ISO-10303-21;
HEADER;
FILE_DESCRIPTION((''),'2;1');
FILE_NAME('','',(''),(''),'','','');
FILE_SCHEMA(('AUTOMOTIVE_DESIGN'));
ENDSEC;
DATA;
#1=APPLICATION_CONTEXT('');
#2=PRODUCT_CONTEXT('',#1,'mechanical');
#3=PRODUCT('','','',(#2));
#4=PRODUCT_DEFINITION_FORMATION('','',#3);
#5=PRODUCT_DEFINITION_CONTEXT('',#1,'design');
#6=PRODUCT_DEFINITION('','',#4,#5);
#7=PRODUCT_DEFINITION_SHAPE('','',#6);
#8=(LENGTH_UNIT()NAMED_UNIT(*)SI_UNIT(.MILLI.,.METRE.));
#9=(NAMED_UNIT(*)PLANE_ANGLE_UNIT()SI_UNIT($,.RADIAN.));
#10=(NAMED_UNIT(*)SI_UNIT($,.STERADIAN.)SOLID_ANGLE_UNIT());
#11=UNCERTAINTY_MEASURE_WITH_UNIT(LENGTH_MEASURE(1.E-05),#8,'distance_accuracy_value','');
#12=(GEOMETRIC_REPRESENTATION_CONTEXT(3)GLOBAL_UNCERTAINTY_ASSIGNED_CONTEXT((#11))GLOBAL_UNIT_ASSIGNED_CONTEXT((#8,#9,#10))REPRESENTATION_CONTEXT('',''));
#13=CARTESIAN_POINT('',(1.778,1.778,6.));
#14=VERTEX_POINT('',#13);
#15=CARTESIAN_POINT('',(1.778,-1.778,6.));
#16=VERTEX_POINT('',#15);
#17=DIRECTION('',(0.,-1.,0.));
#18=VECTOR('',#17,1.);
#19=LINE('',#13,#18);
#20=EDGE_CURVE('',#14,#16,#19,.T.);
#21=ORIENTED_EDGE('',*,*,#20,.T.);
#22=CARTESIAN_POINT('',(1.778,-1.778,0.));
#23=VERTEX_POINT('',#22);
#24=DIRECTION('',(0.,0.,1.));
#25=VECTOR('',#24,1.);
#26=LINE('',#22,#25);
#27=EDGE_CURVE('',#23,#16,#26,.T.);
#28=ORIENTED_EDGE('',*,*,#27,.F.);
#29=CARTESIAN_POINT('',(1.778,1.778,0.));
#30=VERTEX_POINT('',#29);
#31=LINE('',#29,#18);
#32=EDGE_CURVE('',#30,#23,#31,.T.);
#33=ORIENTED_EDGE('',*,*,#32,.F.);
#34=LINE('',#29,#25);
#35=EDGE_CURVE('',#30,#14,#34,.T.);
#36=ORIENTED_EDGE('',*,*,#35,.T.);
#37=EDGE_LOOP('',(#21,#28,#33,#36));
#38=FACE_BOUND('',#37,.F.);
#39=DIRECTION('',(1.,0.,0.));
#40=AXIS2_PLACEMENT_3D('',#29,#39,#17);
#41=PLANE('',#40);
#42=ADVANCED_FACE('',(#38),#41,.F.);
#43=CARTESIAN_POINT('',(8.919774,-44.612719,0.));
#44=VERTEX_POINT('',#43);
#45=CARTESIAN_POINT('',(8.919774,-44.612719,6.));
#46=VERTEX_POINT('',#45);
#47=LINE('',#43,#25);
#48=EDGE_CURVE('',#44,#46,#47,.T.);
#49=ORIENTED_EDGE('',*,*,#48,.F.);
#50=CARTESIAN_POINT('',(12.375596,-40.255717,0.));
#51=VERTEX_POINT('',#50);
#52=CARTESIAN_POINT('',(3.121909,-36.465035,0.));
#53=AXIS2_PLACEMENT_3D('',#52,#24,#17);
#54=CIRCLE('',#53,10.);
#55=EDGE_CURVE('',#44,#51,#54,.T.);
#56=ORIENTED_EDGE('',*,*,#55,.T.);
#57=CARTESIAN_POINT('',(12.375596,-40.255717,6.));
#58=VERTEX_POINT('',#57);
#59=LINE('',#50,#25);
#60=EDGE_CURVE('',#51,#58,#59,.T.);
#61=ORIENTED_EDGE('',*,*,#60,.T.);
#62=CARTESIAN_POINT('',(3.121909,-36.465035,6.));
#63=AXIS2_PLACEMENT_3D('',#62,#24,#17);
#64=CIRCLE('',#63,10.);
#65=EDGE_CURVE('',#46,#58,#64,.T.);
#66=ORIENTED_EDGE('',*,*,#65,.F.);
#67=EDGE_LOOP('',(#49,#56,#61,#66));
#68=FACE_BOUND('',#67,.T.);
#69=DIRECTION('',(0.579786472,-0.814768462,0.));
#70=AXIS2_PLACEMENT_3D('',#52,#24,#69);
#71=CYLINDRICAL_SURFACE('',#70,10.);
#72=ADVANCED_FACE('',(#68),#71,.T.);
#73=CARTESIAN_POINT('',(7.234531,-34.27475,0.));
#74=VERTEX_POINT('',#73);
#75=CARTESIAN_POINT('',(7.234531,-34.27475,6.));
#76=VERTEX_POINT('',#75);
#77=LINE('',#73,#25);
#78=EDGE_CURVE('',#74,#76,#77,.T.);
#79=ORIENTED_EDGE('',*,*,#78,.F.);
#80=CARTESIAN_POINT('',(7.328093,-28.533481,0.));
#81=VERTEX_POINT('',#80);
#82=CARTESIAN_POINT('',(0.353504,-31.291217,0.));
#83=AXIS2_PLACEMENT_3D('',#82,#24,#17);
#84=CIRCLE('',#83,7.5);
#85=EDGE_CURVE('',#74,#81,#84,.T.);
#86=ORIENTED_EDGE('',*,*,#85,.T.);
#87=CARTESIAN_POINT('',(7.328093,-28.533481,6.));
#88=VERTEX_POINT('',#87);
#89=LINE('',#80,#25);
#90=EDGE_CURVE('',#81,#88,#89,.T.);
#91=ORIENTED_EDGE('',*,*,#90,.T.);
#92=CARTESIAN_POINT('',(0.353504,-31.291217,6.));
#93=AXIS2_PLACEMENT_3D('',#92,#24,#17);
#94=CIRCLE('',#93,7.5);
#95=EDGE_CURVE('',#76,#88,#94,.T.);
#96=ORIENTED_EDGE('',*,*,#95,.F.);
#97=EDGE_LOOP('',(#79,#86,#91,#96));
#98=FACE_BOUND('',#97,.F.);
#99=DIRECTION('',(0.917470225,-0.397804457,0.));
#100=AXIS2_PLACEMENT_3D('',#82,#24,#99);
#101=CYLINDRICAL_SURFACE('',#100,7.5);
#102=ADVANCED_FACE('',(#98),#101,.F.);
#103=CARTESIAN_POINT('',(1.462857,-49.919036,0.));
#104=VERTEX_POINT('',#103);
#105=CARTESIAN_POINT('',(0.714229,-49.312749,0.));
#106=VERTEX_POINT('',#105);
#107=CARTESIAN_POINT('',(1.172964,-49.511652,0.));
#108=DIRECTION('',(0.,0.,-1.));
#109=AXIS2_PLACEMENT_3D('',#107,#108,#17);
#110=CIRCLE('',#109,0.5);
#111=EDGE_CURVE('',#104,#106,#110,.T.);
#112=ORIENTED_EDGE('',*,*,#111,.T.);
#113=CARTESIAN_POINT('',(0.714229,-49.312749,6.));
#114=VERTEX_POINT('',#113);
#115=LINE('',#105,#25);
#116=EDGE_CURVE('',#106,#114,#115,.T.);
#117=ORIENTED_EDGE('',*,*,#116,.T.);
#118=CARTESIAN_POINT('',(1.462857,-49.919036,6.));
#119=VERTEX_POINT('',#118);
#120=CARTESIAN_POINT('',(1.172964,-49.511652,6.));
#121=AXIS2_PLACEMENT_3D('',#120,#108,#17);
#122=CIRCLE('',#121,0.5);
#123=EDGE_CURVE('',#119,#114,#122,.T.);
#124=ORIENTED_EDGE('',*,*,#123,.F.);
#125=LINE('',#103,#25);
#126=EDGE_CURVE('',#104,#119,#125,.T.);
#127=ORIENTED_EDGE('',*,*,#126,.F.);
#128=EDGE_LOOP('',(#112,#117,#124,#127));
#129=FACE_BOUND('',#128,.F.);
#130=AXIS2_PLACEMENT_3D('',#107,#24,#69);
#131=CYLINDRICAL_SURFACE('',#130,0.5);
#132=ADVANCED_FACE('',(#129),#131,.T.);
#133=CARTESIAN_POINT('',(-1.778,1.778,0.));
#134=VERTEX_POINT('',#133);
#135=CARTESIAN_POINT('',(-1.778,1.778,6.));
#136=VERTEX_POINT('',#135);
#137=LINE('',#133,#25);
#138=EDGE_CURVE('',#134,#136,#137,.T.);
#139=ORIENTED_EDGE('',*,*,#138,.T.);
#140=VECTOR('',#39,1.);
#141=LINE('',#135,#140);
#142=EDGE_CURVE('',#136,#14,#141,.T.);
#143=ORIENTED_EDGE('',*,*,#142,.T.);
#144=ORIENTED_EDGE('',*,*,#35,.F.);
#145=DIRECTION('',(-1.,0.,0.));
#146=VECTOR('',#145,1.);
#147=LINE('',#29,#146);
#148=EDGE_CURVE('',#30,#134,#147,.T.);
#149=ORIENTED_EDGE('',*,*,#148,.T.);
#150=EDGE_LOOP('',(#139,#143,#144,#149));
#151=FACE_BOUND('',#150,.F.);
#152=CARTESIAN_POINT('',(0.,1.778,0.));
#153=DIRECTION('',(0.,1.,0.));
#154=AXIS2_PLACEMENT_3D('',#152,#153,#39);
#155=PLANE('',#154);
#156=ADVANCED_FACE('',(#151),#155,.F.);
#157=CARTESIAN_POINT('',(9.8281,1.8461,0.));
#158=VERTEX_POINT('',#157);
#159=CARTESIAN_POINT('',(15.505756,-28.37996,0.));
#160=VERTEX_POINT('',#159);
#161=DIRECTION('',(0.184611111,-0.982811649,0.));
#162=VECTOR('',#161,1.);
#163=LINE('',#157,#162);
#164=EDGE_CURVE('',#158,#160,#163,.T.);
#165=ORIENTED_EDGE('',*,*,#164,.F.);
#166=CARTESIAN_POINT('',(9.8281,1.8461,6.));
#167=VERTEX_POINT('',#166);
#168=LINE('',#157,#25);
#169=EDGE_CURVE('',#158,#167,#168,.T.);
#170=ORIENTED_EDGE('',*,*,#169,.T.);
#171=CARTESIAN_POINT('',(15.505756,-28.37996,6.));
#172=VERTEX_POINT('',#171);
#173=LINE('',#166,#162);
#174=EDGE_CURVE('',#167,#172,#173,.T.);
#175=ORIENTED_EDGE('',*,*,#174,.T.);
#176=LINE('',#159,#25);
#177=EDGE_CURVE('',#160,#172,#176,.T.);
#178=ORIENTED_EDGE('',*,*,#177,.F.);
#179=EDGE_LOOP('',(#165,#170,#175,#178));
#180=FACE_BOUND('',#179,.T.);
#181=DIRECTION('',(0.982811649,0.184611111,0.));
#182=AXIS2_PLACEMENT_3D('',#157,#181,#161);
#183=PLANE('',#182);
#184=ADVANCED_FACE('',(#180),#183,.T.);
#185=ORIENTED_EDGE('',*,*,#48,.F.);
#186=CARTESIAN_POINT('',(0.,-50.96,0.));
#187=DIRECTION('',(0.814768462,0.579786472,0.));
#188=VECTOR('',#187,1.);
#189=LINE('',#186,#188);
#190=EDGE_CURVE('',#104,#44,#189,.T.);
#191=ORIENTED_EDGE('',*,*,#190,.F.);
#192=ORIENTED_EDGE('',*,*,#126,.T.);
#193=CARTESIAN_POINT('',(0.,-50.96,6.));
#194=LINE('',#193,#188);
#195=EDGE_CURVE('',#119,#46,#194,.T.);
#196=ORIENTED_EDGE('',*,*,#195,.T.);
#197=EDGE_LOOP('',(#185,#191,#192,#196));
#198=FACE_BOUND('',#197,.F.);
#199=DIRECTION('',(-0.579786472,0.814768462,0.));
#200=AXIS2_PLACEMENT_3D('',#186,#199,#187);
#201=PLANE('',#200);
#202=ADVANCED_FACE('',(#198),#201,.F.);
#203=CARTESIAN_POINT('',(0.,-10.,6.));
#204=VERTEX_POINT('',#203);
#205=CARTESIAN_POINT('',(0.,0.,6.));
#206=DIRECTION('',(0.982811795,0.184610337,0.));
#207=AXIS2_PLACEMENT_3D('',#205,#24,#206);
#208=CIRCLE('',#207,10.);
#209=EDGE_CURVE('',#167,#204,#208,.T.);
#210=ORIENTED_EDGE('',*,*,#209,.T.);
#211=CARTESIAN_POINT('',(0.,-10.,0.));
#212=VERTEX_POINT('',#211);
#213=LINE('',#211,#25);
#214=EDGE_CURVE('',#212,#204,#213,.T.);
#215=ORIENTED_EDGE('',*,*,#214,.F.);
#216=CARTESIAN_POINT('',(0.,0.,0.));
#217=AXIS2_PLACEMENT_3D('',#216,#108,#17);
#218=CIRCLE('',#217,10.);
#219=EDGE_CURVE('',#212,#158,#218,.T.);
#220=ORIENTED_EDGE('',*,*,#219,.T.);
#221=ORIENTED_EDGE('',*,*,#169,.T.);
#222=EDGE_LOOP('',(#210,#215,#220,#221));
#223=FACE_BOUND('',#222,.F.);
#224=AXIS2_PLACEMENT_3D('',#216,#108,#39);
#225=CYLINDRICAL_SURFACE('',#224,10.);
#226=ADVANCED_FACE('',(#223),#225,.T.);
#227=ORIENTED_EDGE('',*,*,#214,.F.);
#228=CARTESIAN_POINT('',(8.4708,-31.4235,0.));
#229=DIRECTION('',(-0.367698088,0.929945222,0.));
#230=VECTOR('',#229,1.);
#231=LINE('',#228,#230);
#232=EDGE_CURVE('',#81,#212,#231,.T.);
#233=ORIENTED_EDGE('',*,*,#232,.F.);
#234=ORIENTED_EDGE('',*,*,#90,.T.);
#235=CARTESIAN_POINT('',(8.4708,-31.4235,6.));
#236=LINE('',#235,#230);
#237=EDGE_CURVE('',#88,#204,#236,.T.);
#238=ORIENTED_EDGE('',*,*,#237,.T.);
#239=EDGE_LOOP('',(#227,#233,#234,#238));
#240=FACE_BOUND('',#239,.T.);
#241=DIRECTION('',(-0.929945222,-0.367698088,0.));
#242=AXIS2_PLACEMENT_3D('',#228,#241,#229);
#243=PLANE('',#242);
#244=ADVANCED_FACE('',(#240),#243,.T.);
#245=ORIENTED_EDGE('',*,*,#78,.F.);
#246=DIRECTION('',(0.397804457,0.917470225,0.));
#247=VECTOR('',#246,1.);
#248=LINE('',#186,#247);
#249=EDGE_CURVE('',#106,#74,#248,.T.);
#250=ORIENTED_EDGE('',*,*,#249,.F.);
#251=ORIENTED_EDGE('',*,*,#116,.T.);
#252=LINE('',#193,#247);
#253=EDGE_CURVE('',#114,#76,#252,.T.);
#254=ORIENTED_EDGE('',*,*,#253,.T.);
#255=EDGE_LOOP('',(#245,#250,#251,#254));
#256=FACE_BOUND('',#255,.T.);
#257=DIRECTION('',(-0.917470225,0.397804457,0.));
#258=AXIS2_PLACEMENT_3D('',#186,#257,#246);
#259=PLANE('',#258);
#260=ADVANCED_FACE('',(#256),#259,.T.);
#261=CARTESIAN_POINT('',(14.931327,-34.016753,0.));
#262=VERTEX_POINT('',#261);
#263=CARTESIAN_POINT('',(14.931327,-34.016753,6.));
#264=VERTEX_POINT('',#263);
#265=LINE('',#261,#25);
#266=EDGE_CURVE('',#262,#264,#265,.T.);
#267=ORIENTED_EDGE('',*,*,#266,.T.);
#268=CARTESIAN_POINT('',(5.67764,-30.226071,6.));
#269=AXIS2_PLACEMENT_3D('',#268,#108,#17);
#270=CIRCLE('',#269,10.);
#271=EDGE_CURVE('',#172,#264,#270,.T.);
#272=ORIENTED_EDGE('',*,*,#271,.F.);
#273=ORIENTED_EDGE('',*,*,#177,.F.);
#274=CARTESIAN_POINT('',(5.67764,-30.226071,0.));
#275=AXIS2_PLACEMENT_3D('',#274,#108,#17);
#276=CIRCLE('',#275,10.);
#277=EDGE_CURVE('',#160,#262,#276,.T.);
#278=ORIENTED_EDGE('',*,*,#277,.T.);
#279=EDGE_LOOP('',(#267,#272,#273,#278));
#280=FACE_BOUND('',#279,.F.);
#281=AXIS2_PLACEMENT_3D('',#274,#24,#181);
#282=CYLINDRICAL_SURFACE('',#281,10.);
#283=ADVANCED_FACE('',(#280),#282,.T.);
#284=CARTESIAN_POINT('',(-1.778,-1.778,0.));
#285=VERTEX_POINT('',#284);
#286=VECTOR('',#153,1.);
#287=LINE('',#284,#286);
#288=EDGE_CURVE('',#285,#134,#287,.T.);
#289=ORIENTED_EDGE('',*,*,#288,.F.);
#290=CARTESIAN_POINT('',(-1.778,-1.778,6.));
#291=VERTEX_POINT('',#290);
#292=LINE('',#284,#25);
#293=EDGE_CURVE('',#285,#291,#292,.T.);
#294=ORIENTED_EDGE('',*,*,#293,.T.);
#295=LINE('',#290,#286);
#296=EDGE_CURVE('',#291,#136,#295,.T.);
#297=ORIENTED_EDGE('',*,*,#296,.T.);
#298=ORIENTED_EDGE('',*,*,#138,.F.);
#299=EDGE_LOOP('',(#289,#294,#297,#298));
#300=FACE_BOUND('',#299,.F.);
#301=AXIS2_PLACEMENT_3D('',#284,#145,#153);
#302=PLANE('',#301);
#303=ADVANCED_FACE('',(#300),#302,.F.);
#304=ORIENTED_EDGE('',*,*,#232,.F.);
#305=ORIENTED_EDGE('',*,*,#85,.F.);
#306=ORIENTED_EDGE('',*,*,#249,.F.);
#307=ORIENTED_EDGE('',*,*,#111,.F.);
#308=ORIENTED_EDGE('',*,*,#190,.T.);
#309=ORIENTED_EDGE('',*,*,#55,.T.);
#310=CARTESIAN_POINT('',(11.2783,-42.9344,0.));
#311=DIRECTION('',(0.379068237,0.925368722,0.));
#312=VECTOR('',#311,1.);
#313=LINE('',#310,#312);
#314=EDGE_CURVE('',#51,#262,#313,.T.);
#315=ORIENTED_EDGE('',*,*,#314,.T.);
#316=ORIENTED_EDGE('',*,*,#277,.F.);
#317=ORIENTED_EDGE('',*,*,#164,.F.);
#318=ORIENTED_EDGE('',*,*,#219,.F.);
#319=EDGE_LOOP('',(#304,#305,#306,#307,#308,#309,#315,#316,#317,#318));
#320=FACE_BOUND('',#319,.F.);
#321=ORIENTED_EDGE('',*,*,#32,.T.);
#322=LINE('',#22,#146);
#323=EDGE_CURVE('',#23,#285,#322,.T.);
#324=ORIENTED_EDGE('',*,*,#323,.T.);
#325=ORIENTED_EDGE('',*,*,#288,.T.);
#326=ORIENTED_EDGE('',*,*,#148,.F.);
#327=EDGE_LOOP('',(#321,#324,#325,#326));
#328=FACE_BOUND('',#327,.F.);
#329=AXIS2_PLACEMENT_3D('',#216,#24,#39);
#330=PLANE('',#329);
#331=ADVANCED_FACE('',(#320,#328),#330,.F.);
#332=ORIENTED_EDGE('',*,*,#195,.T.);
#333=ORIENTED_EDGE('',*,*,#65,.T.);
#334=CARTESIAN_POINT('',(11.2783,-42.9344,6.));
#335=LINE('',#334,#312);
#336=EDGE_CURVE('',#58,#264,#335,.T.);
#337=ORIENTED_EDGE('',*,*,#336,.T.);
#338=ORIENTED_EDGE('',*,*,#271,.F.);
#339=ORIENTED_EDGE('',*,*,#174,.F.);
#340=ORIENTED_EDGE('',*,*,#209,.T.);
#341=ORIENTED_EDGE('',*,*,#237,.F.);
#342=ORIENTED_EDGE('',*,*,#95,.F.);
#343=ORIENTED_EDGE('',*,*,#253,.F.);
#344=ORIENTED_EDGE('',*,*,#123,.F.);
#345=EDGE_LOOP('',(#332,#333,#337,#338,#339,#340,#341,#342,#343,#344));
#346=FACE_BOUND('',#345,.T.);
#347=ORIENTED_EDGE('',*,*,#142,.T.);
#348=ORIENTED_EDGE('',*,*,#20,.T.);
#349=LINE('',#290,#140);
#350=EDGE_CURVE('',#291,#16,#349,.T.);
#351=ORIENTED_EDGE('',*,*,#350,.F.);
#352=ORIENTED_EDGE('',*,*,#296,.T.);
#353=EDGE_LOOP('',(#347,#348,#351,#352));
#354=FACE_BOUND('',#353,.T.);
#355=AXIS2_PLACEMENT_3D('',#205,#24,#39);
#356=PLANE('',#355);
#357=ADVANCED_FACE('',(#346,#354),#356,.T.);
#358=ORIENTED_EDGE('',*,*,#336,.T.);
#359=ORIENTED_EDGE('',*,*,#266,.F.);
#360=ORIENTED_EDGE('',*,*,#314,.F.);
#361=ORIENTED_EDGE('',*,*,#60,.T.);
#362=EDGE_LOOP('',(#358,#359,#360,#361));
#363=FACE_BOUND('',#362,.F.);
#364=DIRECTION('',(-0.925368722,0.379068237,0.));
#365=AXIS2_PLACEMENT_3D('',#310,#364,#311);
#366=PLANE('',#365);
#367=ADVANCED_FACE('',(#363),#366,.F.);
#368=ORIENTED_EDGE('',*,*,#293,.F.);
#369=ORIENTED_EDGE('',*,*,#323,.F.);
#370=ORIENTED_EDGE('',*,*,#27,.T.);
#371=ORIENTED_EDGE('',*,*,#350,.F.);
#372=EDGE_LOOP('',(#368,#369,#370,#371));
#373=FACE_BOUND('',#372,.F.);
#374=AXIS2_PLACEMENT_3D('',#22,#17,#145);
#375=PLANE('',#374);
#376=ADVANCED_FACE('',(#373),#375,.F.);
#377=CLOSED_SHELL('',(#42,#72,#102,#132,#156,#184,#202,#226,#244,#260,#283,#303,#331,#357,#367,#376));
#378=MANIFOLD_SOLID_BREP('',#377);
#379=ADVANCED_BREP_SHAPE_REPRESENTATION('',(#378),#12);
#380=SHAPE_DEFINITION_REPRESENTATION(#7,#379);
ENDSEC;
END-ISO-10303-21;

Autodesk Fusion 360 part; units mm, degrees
sketch "Sketch1" plane through (0, 0, 0) normal (0, 0, 1) x (1, 0, 0)
  circle A0 centre (0, 0) radius 10
  line L0 (-1.778, 1.778) -> (1.778, 1.778)
  line L1 (1.778, 1.778) -> (1.778, -1.778)
  line L2 (1.778, -1.778) -> (-1.778, -1.778)
  line L3 (-1.778, -1.778) -> (-1.778, 1.778)
  line L4 (-1.778, 1.778) -> (1.778, -1.778) construction
  line L5 (1.778, 1.778) -> (-1.778, -1.778) construction
  line L6 (0, 10) -> (0, -50.96)
  line L7 (0, -50.96) -> (11.2783, -42.9344)
  line L8 (0, -50.96) -> (8.4708, -31.4235)
  line L9 (9.8281, 1.8461) -> (16.0511, -31.2832)
  line L10 (11.2783, -42.9344) -> (16.0511, -31.2832)
  line L11 (8.4708, -31.4235) -> (0, -10)
  point P0 (-10, 0)
  point P1 (0, 10)
  dimension "d1" = 20
  dimension "d5" = 3.556
  dimension "d14" = 60.96
extrude "Extrude1" add sketch "Sketch1" along normal blind 6 contours A0 L0 L1 L2 L6 | A0 L7 L8 L9 L10 L11 | A0 L0 L2 L3 L6
fillet "Fillet4" radius 7.5 1 edges at (8.4708, -31.4235, 3)
fillet "Fillet5" radius 10 2 edges at (16.0511, -31.2832, 3) (11.2783, -42.9344, 3)
fillet "Fillet6" radius 0.5 1 edges at (0, -50.96, 3)
